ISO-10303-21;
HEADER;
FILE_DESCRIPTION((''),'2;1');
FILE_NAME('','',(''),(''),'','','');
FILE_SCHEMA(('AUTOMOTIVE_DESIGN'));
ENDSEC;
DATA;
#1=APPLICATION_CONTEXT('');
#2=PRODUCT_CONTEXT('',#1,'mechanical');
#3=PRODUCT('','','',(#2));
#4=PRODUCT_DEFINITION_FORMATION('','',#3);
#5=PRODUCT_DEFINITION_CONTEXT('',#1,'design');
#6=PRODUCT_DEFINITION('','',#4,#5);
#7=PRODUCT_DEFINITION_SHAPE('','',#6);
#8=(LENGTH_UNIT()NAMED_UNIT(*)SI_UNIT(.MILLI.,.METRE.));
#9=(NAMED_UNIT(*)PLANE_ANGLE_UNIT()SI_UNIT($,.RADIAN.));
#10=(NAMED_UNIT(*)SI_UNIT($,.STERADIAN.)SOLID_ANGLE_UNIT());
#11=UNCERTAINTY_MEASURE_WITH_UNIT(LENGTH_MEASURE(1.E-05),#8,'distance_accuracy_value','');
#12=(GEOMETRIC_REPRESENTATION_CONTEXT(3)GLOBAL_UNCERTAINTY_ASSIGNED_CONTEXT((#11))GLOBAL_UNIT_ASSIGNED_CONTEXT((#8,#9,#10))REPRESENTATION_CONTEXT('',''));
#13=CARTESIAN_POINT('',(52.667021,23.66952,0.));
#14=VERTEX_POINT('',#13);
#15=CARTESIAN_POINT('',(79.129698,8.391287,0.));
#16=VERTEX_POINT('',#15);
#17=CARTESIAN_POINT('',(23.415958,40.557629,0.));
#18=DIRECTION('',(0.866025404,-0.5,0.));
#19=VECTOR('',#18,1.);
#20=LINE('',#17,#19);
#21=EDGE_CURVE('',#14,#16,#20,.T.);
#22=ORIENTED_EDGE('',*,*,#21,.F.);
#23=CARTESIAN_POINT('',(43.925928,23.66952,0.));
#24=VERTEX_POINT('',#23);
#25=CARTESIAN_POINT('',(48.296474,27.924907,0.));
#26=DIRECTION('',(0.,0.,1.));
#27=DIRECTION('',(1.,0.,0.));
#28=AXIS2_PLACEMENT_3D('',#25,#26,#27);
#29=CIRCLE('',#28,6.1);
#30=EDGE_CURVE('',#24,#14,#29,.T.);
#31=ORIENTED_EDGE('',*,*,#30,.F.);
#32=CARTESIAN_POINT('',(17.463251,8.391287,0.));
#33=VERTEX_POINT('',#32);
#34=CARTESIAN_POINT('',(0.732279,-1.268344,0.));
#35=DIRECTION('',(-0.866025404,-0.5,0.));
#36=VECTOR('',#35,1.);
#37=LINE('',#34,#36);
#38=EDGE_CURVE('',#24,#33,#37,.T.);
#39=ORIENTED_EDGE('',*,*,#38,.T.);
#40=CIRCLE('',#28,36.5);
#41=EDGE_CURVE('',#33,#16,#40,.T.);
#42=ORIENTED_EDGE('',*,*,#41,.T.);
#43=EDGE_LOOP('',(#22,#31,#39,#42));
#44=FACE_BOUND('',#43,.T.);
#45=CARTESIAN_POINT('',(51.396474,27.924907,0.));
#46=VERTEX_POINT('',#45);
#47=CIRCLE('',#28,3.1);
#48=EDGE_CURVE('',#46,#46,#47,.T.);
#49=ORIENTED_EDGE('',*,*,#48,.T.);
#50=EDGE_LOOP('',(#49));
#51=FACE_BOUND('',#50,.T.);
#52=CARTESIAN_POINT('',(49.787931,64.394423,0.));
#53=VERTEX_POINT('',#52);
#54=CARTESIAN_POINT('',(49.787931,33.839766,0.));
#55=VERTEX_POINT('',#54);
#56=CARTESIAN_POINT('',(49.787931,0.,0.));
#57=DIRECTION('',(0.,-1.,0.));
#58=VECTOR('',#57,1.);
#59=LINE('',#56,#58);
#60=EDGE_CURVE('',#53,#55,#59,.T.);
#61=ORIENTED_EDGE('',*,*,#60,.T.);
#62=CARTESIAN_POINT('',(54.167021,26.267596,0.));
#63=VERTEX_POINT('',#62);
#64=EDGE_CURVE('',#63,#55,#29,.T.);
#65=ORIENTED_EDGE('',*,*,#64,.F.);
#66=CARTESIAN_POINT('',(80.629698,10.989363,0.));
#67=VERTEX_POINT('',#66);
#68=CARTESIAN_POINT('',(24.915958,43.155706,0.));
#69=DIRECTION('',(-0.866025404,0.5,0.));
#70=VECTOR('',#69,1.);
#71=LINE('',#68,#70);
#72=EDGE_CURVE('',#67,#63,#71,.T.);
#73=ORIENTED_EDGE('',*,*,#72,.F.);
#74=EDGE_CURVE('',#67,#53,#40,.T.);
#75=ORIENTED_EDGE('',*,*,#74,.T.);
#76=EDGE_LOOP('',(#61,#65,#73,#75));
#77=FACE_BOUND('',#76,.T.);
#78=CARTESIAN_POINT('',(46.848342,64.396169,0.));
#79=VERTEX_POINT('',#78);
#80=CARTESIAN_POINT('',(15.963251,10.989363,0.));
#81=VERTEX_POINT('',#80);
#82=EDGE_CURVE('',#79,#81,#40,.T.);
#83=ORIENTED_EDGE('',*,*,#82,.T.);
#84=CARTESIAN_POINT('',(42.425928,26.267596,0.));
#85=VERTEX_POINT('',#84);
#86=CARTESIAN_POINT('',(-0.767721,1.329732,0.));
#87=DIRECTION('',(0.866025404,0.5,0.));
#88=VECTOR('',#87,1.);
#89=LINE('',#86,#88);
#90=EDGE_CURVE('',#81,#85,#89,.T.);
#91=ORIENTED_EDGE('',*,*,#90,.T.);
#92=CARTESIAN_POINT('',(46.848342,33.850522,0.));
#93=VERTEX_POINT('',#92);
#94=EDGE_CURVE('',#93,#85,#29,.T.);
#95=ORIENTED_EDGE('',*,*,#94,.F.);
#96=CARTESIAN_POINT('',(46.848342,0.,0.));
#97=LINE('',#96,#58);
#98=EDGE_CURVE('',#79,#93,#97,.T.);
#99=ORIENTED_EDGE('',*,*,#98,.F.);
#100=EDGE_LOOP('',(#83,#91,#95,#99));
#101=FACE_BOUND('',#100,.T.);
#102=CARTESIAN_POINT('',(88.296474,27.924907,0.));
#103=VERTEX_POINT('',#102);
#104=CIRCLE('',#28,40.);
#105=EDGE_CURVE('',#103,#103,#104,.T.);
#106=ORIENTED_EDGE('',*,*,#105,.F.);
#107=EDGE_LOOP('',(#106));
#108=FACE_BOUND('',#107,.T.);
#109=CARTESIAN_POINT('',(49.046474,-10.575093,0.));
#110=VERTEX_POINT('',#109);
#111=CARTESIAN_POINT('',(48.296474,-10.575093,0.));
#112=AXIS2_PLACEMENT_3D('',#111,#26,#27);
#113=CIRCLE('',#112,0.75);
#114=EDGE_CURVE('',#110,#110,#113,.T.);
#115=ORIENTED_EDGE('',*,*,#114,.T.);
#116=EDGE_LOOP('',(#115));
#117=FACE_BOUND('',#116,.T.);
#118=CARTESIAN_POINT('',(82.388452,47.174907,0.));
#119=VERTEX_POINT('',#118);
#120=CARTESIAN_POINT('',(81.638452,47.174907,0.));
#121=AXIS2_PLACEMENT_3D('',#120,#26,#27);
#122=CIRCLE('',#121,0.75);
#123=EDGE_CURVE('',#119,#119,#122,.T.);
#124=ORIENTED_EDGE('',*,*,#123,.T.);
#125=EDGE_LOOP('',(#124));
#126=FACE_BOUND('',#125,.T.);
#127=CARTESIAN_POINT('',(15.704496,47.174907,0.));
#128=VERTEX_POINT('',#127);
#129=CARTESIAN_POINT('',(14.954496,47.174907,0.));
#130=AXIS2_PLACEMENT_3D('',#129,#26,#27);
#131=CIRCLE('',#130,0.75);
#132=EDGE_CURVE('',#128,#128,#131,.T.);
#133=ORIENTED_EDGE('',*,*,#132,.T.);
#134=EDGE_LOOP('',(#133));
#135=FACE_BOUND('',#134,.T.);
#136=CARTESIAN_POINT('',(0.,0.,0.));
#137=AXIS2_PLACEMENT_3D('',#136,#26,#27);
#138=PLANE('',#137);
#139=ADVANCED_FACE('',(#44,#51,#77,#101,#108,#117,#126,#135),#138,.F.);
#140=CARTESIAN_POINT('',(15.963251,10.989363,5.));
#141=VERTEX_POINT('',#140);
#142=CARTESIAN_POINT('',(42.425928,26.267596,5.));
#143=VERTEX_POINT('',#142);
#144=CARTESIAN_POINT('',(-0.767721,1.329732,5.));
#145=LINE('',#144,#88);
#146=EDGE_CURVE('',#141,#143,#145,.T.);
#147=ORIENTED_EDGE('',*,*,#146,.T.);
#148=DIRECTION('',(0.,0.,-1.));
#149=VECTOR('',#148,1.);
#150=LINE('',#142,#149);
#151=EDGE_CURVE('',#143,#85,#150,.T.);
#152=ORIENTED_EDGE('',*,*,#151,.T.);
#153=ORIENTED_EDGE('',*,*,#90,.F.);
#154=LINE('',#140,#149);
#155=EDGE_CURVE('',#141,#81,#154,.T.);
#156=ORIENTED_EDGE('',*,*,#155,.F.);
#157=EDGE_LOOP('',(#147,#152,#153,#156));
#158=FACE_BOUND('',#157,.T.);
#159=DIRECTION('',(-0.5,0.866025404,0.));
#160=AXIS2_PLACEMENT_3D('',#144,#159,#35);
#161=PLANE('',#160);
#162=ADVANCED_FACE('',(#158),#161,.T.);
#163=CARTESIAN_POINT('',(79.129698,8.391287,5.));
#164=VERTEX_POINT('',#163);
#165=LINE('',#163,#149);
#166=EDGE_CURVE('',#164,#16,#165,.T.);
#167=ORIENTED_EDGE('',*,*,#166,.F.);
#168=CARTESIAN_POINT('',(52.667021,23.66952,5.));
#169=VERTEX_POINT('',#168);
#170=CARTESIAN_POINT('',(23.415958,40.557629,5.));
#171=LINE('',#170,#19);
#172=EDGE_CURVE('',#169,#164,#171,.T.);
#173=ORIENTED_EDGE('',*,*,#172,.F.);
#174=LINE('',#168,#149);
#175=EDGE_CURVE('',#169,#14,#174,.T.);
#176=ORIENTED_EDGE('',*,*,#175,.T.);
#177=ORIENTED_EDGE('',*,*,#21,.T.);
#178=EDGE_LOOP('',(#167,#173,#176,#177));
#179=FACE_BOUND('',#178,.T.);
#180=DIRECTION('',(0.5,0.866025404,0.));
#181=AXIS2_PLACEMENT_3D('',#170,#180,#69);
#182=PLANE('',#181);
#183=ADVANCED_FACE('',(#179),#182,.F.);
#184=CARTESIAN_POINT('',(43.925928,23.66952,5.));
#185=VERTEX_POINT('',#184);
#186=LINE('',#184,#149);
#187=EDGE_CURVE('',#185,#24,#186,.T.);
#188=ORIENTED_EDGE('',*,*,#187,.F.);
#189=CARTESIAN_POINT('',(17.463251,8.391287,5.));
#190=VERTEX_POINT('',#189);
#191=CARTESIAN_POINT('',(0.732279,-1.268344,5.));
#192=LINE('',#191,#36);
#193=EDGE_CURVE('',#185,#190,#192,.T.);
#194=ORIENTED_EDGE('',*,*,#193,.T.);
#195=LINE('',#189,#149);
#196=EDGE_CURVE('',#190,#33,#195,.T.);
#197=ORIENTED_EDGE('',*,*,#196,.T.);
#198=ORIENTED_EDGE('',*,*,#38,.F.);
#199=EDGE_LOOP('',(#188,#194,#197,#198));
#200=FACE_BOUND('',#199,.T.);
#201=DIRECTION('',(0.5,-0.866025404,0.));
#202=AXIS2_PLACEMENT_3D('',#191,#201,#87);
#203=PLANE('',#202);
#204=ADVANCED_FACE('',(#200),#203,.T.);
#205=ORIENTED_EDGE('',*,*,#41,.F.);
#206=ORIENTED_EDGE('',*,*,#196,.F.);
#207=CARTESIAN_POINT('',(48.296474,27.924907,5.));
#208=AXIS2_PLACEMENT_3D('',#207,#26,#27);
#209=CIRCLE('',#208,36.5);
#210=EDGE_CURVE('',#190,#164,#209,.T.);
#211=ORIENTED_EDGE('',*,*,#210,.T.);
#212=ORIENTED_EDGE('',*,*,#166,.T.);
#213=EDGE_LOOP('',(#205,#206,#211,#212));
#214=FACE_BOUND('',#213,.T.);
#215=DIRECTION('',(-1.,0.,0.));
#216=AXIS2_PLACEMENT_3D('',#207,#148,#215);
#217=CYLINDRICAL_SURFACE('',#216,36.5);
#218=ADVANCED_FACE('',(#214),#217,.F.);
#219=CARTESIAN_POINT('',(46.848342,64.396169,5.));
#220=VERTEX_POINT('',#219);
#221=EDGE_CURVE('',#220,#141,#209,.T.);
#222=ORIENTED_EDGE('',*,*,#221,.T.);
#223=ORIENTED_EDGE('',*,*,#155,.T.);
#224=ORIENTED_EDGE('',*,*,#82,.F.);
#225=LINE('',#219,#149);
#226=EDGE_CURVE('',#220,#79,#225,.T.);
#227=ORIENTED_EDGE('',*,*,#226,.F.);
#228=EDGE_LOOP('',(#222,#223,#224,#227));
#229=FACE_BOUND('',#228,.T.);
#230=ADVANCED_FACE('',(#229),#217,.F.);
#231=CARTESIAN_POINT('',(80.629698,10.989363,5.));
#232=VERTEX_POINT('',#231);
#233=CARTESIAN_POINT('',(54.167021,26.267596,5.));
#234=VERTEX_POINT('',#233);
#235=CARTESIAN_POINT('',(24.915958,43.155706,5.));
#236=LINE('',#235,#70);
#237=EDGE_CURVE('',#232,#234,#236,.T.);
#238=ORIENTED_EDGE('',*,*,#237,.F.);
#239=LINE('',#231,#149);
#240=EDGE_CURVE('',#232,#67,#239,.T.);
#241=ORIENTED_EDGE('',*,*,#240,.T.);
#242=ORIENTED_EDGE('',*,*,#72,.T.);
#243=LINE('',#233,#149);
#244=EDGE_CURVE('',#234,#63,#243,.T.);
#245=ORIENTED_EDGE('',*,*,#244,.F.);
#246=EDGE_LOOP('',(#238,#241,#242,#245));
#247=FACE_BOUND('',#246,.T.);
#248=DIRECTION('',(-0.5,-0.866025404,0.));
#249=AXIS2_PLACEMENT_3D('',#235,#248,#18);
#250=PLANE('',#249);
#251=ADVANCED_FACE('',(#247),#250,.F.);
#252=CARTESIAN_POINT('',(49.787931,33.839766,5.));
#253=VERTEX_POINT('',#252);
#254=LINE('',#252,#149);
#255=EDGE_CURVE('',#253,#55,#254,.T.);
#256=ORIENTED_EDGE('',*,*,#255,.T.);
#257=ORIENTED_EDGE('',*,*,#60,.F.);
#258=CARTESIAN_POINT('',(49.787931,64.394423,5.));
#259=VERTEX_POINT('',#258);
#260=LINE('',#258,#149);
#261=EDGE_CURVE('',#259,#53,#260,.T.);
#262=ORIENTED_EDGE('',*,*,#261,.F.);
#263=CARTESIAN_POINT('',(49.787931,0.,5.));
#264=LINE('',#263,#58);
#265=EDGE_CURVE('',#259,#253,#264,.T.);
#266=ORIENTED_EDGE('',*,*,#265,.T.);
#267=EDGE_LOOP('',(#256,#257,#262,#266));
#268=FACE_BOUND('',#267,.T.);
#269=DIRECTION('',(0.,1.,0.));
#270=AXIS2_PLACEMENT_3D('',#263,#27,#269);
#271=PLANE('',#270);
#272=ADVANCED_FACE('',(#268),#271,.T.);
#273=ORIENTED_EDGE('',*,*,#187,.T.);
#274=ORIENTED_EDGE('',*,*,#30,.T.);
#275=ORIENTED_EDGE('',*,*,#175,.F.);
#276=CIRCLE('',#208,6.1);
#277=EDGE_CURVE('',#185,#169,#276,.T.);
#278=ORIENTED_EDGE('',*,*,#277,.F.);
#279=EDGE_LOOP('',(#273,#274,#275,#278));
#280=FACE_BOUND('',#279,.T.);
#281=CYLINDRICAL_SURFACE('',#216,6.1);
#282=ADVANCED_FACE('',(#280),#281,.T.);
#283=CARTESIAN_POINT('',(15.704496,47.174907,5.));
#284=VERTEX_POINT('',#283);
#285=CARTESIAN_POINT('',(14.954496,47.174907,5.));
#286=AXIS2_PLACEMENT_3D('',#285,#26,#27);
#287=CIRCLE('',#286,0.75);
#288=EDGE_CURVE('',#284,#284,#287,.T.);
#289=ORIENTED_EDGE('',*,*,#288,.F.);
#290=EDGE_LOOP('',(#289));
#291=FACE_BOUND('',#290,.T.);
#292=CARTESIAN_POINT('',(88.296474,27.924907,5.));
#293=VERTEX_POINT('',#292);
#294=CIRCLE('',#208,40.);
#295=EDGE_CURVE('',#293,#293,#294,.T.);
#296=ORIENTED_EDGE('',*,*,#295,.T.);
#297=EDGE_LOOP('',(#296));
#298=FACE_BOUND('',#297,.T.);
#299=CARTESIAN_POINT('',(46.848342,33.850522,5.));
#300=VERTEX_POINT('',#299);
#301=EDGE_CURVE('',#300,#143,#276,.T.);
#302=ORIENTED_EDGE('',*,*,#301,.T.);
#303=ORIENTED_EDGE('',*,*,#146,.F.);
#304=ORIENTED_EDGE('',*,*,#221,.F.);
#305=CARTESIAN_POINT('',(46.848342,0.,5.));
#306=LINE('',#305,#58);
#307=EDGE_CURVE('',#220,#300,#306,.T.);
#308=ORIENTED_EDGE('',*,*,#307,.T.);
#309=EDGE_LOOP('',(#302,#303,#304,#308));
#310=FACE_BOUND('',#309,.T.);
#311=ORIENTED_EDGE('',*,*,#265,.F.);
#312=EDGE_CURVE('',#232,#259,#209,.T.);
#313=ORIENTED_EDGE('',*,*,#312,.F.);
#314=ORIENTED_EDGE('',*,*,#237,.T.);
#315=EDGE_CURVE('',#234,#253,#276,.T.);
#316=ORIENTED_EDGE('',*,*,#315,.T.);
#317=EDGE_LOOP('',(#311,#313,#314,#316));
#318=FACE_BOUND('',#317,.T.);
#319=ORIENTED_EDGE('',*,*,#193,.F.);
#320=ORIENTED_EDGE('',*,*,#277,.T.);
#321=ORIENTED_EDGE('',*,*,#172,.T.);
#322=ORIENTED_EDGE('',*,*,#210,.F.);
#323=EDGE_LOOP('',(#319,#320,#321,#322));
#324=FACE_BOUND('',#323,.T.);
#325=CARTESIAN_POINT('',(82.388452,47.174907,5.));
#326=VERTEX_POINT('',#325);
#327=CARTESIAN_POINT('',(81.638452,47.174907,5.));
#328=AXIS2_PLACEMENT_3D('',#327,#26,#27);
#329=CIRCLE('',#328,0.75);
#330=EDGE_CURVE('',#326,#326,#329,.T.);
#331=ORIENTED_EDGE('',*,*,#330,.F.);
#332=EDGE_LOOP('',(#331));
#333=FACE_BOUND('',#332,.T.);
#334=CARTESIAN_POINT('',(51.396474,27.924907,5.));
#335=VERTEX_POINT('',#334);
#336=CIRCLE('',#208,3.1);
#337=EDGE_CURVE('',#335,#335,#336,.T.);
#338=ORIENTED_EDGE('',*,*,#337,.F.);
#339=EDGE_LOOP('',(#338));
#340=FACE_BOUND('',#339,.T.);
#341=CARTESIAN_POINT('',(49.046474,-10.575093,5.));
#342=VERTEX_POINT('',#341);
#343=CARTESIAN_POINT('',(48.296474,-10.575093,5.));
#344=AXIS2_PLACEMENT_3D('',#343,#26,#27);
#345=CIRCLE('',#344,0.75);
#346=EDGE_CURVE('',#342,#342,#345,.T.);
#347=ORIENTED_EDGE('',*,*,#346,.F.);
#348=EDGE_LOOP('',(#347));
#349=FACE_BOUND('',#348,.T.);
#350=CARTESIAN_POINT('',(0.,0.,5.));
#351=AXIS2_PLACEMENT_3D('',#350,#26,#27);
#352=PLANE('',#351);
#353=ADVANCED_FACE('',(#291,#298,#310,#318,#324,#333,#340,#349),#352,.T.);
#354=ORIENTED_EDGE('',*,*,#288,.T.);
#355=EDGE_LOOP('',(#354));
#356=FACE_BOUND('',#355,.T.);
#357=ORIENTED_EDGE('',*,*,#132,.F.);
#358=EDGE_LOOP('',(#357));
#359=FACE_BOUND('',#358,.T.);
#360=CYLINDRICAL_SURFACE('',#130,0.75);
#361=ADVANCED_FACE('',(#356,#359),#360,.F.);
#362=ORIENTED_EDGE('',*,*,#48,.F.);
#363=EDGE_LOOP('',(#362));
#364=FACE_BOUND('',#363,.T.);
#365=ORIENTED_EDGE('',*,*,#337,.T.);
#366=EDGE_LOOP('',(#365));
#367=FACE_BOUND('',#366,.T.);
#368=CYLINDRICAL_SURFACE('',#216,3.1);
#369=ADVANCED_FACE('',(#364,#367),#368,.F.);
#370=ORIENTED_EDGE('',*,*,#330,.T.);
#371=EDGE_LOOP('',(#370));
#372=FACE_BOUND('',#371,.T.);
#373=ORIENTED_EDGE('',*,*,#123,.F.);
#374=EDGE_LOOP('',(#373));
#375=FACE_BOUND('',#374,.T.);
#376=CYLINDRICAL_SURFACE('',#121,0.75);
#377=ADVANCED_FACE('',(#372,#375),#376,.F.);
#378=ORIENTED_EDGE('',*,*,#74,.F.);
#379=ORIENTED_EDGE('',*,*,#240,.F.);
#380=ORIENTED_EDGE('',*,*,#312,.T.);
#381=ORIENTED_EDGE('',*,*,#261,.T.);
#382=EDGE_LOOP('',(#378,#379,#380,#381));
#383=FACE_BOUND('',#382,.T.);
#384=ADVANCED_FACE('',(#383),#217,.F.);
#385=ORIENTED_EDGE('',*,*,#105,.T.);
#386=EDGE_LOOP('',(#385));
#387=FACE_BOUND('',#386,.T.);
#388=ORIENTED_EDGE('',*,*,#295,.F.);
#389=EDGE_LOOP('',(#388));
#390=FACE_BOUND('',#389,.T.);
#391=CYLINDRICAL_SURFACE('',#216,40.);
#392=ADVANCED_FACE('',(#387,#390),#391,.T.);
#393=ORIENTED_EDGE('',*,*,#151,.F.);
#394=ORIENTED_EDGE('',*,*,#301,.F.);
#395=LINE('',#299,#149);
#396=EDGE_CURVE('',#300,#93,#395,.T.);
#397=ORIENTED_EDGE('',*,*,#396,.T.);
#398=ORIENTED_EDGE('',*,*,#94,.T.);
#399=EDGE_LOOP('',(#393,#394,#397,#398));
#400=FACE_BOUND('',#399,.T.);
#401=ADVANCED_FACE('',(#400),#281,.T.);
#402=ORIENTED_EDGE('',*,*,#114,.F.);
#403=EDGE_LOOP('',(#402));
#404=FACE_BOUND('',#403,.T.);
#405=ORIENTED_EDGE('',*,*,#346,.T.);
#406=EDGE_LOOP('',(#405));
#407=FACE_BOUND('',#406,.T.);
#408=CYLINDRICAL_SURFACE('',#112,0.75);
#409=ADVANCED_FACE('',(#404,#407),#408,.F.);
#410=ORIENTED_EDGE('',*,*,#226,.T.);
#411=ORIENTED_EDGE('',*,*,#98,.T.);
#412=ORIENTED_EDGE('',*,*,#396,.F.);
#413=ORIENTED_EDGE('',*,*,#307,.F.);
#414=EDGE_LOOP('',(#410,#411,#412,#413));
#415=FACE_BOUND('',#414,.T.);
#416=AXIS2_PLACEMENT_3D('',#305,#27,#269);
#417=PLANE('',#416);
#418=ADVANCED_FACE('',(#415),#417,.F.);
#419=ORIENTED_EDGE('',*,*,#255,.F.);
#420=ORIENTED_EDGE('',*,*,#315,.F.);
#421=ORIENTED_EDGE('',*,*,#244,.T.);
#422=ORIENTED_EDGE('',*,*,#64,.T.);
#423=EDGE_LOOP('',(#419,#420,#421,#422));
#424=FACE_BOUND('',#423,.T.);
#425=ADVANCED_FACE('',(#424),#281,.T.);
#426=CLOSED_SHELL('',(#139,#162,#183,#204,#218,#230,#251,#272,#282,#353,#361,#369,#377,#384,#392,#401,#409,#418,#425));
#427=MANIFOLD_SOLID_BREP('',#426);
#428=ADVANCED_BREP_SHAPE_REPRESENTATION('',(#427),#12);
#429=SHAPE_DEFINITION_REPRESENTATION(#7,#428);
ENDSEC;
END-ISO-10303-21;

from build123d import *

# Parameters (mm, degrees)
SKETCH_1_R          = 40
SKETCH_1_R_2        = 3.1
EXTRUDE_2_DEPTH     = 5
SKETCH_2_R          = 0.75
CUT_EXTRUDE_1_DEPTH = 5


with BuildPart() as part:
    # 草图1 → 凸台-拉伸2 (new body)
    # profile 1 of 11: a face of its own
    with BuildSketch(Plane.XY):
        with Locations((48.296474355, 27.924907455)):
            Circle(SKETCH_1_R)
        with BuildLine():
            Line((81.82316003, 10.300317263), (81.07316003, 9.001279158))
            Line((81.07316003, 9.001279158), (80.32316003, 7.702241052))
            Line((80.32316003, 7.702241052), (79.12969775, 8.391286821))
            ThreePointArc((79.12969775, 8.391286821), (48.296474355, -8.575092545), (17.46325096, 8.391286821))
            Line((17.46325096, 8.391286821), (16.26978868, 7.702241052))
            Line((16.26978868, 7.702241052), (15.51978868, 9.001279158))
            Line((15.51978868, 9.001279158), (14.76978868, 10.300317263))
            Line((14.76978868, 10.300317263), (15.96325096, 10.989363032))
            ThreePointArc((15.96325096, 10.989363032), (16.69953266, 46.197380619), (46.84834221, 64.396168926))
            Line((46.84834221, 64.396168926), (46.84834221, 66.091480515))
            Line((46.84834221, 66.091480515), (49.787930978, 66.091480515))
            Line((49.787930978, 66.091480515), (49.787930978, 64.394422905))
            ThreePointArc((49.787930978, 64.394422905), (74.627902029, 53.201495766), (84.796474355, 27.924907455))
            ThreePointArc((84.796474355, 27.924907455), (83.739475455, 19.204605107), (80.62969775, 10.989363032))
            Line((80.62969775, 10.989363032), (81.82316003, 10.300317263))
        make_face(mode=Mode.SUBTRACT)
    # profile 2 of 11: a face of its own
    with BuildSketch(Plane.XY):
        with BuildLine():
            Line((52.565394479, 27.19229608), (54.167021201, 26.267596461))
            ThreePointArc((54.167021201, 26.267596461), (54.338838783, 27.088347762), (54.396474355, 27.924907455))
            ThreePointArc((54.396474355, 27.924907455), (53.108328748, 31.67404833), (49.787930978, 33.839766468))
            Line((49.787930978, 33.839766468), (49.787930978, 32.638782116))
            Line((49.787930978, 32.638782116), (46.84834221, 32.638782116))
            Line((46.84834221, 32.638782116), (46.84834221, 33.850522469))
            ThreePointArc((46.84834221, 33.850522469), (43.027133101, 30.998023585), (42.425927509, 26.267596461))
            Line((42.425927509, 26.267596461), (43.927397053, 27.134470306))
            Line((43.927397053, 27.134470306), (45.427397053, 24.536394095))
            Line((45.427397053, 24.536394095), (43.925927509, 23.66952025))
            ThreePointArc((43.925927509, 23.66952025), (48.296474355, 21.824907455), (52.667021201, 23.66952025))
            Line((52.667021201, 23.66952025), (51.065394479, 24.594219869))
            Line((51.065394479, 24.594219869), (52.565394479, 27.19229608))
        make_face()
        with Locations((48.296474355, 27.924907455)):
            Circle(SKETCH_1_R_2, mode=Mode.SUBTRACT)
    # profile 3 of 11: a face of its own
    with BuildSketch(Plane.XY):
        with BuildLine():
            ThreePointArc((15.96325096, 10.989363032), (16.686547117, 9.674907455), (17.46325096, 8.391286821))
            Line((17.46325096, 8.391286821), (43.925927509, 23.66952025))
            ThreePointArc((43.925927509, 23.66952025), (43.013719392, 24.874907455), (42.425927509, 26.267596461))
            Line((42.425927509, 26.267596461), (15.96325096, 10.989363032))
        make_face()
    # profile 4 of 11: a face of its own
    with BuildSketch(Plane.XY):
        with BuildLine():
            Line((16.26978868, 7.702241052), (17.46325096, 8.391286821))
            ThreePointArc((17.46325096, 8.391286821), (16.686547117, 9.674907455), (15.96325096, 10.989363032))
            Line((15.96325096, 10.989363032), (14.76978868, 10.300317263))
            Line((14.76978868, 10.300317263), (15.51978868, 9.001279158))
            Line((15.51978868, 9.001279158), (16.26978868, 7.702241052))
        make_face()
    # profile 5 of 11: a face of its own
    with BuildSketch(Plane.XY):
        with BuildLine():
            ThreePointArc((52.667021201, 23.66952025), (53.579229318, 24.874907455), (54.167021201, 26.267596461))
            Line((54.167021201, 26.267596461), (52.565394479, 27.19229608))
            Line((52.565394479, 27.19229608), (51.065394479, 24.594219869))
            Line((51.065394479, 24.594219869), (52.667021201, 23.66952025))
        make_face()
    # profile 6 of 11: a face of its own
    with BuildSketch(Plane.XY):
        with BuildLine():
            Line((49.787930978, 32.638782116), (49.787930978, 33.839766468))
            ThreePointArc((49.787930978, 33.839766468), (48.3187942, 34.024866621), (46.84834221, 33.850522469))
            Line((46.84834221, 33.850522469), (46.84834221, 32.638782116))
            Line((46.84834221, 32.638782116), (49.787930978, 32.638782116))
        make_face()
    # profile 7 of 11: a face of its own
    with BuildSketch(Plane.XY):
        with BuildLine():
            ThreePointArc((42.425927509, 26.267596461), (43.013719392, 24.874907455), (43.925927509, 23.66952025))
            Line((43.925927509, 23.66952025), (45.427397053, 24.536394095))
            Line((45.427397053, 24.536394095), (43.927397053, 27.134470306))
            Line((43.927397053, 27.134470306), (42.425927509, 26.267596461))
        make_face()
    # profile 8 of 11: a face of its own
    with BuildSketch(Plane.XY):
        with BuildLine():
            Line((49.787930978, 33.839766468), (49.787930978, 64.394422905))
            ThreePointArc((49.787930978, 64.394422905), (48.318154178, 64.424901017), (46.84834221, 64.396168926))
            Line((46.84834221, 64.396168926), (46.84834221, 33.850522469))
            ThreePointArc((46.84834221, 33.850522469), (48.3187942, 34.024866621), (49.787930978, 33.839766468))
        make_face()
    # profile 9 of 11: a face of its own
    with BuildSketch(Plane.XY):
        with BuildLine():
            ThreePointArc((46.84834221, 64.396168926), (48.318154178, 64.424901017), (49.787930978, 64.394422905))
            Line((49.787930978, 64.394422905), (49.787930978, 66.091480515))
            Line((49.787930978, 66.091480515), (46.84834221, 66.091480515))
            Line((46.84834221, 66.091480515), (46.84834221, 64.396168926))
        make_face()
    # profile 10 of 11: a face of its own
    with BuildSketch(Plane.XY):
        with BuildLine():
            Line((80.32316003, 7.702241052), (81.07316003, 9.001279158))
            Line((81.07316003, 9.001279158), (81.82316003, 10.300317263))
            Line((81.82316003, 10.300317263), (80.62969775, 10.989363032))
            ThreePointArc((80.62969775, 10.989363032), (79.906401593, 9.674907455), (79.12969775, 8.391286821))
            Line((79.12969775, 8.391286821), (80.32316003, 7.702241052))
        make_face()
    # profile 11 of 11: a face of its own
    with BuildSketch(Plane.XY):
        with BuildLine():
            ThreePointArc((79.12969775, 8.391286821), (79.906401593, 9.674907455), (80.62969775, 10.989363032))
            Line((80.62969775, 10.989363032), (54.167021201, 26.267596461))
            ThreePointArc((54.167021201, 26.267596461), (53.579229318, 24.874907455), (52.667021201, 23.66952025))
            Line((52.667021201, 23.66952025), (79.12969775, 8.391286821))
        make_face()
    extrude(amount=EXTRUDE_2_DEPTH)

    # 草图2 → 切除-拉伸1 (cut)
    with BuildSketch(Plane.XY.offset(5)):
        with Locations((14.954496309, 47.174907455)):
            Circle(SKETCH_2_R)
        with Locations((81.638452401, 47.174907455)):
            Circle(SKETCH_2_R)
        with Locations((48.296474355, -10.575092545)):
            Circle(SKETCH_2_R)
    extrude(amount=-CUT_EXTRUDE_1_DEPTH, mode=Mode.SUBTRACT)


solid = part.part
